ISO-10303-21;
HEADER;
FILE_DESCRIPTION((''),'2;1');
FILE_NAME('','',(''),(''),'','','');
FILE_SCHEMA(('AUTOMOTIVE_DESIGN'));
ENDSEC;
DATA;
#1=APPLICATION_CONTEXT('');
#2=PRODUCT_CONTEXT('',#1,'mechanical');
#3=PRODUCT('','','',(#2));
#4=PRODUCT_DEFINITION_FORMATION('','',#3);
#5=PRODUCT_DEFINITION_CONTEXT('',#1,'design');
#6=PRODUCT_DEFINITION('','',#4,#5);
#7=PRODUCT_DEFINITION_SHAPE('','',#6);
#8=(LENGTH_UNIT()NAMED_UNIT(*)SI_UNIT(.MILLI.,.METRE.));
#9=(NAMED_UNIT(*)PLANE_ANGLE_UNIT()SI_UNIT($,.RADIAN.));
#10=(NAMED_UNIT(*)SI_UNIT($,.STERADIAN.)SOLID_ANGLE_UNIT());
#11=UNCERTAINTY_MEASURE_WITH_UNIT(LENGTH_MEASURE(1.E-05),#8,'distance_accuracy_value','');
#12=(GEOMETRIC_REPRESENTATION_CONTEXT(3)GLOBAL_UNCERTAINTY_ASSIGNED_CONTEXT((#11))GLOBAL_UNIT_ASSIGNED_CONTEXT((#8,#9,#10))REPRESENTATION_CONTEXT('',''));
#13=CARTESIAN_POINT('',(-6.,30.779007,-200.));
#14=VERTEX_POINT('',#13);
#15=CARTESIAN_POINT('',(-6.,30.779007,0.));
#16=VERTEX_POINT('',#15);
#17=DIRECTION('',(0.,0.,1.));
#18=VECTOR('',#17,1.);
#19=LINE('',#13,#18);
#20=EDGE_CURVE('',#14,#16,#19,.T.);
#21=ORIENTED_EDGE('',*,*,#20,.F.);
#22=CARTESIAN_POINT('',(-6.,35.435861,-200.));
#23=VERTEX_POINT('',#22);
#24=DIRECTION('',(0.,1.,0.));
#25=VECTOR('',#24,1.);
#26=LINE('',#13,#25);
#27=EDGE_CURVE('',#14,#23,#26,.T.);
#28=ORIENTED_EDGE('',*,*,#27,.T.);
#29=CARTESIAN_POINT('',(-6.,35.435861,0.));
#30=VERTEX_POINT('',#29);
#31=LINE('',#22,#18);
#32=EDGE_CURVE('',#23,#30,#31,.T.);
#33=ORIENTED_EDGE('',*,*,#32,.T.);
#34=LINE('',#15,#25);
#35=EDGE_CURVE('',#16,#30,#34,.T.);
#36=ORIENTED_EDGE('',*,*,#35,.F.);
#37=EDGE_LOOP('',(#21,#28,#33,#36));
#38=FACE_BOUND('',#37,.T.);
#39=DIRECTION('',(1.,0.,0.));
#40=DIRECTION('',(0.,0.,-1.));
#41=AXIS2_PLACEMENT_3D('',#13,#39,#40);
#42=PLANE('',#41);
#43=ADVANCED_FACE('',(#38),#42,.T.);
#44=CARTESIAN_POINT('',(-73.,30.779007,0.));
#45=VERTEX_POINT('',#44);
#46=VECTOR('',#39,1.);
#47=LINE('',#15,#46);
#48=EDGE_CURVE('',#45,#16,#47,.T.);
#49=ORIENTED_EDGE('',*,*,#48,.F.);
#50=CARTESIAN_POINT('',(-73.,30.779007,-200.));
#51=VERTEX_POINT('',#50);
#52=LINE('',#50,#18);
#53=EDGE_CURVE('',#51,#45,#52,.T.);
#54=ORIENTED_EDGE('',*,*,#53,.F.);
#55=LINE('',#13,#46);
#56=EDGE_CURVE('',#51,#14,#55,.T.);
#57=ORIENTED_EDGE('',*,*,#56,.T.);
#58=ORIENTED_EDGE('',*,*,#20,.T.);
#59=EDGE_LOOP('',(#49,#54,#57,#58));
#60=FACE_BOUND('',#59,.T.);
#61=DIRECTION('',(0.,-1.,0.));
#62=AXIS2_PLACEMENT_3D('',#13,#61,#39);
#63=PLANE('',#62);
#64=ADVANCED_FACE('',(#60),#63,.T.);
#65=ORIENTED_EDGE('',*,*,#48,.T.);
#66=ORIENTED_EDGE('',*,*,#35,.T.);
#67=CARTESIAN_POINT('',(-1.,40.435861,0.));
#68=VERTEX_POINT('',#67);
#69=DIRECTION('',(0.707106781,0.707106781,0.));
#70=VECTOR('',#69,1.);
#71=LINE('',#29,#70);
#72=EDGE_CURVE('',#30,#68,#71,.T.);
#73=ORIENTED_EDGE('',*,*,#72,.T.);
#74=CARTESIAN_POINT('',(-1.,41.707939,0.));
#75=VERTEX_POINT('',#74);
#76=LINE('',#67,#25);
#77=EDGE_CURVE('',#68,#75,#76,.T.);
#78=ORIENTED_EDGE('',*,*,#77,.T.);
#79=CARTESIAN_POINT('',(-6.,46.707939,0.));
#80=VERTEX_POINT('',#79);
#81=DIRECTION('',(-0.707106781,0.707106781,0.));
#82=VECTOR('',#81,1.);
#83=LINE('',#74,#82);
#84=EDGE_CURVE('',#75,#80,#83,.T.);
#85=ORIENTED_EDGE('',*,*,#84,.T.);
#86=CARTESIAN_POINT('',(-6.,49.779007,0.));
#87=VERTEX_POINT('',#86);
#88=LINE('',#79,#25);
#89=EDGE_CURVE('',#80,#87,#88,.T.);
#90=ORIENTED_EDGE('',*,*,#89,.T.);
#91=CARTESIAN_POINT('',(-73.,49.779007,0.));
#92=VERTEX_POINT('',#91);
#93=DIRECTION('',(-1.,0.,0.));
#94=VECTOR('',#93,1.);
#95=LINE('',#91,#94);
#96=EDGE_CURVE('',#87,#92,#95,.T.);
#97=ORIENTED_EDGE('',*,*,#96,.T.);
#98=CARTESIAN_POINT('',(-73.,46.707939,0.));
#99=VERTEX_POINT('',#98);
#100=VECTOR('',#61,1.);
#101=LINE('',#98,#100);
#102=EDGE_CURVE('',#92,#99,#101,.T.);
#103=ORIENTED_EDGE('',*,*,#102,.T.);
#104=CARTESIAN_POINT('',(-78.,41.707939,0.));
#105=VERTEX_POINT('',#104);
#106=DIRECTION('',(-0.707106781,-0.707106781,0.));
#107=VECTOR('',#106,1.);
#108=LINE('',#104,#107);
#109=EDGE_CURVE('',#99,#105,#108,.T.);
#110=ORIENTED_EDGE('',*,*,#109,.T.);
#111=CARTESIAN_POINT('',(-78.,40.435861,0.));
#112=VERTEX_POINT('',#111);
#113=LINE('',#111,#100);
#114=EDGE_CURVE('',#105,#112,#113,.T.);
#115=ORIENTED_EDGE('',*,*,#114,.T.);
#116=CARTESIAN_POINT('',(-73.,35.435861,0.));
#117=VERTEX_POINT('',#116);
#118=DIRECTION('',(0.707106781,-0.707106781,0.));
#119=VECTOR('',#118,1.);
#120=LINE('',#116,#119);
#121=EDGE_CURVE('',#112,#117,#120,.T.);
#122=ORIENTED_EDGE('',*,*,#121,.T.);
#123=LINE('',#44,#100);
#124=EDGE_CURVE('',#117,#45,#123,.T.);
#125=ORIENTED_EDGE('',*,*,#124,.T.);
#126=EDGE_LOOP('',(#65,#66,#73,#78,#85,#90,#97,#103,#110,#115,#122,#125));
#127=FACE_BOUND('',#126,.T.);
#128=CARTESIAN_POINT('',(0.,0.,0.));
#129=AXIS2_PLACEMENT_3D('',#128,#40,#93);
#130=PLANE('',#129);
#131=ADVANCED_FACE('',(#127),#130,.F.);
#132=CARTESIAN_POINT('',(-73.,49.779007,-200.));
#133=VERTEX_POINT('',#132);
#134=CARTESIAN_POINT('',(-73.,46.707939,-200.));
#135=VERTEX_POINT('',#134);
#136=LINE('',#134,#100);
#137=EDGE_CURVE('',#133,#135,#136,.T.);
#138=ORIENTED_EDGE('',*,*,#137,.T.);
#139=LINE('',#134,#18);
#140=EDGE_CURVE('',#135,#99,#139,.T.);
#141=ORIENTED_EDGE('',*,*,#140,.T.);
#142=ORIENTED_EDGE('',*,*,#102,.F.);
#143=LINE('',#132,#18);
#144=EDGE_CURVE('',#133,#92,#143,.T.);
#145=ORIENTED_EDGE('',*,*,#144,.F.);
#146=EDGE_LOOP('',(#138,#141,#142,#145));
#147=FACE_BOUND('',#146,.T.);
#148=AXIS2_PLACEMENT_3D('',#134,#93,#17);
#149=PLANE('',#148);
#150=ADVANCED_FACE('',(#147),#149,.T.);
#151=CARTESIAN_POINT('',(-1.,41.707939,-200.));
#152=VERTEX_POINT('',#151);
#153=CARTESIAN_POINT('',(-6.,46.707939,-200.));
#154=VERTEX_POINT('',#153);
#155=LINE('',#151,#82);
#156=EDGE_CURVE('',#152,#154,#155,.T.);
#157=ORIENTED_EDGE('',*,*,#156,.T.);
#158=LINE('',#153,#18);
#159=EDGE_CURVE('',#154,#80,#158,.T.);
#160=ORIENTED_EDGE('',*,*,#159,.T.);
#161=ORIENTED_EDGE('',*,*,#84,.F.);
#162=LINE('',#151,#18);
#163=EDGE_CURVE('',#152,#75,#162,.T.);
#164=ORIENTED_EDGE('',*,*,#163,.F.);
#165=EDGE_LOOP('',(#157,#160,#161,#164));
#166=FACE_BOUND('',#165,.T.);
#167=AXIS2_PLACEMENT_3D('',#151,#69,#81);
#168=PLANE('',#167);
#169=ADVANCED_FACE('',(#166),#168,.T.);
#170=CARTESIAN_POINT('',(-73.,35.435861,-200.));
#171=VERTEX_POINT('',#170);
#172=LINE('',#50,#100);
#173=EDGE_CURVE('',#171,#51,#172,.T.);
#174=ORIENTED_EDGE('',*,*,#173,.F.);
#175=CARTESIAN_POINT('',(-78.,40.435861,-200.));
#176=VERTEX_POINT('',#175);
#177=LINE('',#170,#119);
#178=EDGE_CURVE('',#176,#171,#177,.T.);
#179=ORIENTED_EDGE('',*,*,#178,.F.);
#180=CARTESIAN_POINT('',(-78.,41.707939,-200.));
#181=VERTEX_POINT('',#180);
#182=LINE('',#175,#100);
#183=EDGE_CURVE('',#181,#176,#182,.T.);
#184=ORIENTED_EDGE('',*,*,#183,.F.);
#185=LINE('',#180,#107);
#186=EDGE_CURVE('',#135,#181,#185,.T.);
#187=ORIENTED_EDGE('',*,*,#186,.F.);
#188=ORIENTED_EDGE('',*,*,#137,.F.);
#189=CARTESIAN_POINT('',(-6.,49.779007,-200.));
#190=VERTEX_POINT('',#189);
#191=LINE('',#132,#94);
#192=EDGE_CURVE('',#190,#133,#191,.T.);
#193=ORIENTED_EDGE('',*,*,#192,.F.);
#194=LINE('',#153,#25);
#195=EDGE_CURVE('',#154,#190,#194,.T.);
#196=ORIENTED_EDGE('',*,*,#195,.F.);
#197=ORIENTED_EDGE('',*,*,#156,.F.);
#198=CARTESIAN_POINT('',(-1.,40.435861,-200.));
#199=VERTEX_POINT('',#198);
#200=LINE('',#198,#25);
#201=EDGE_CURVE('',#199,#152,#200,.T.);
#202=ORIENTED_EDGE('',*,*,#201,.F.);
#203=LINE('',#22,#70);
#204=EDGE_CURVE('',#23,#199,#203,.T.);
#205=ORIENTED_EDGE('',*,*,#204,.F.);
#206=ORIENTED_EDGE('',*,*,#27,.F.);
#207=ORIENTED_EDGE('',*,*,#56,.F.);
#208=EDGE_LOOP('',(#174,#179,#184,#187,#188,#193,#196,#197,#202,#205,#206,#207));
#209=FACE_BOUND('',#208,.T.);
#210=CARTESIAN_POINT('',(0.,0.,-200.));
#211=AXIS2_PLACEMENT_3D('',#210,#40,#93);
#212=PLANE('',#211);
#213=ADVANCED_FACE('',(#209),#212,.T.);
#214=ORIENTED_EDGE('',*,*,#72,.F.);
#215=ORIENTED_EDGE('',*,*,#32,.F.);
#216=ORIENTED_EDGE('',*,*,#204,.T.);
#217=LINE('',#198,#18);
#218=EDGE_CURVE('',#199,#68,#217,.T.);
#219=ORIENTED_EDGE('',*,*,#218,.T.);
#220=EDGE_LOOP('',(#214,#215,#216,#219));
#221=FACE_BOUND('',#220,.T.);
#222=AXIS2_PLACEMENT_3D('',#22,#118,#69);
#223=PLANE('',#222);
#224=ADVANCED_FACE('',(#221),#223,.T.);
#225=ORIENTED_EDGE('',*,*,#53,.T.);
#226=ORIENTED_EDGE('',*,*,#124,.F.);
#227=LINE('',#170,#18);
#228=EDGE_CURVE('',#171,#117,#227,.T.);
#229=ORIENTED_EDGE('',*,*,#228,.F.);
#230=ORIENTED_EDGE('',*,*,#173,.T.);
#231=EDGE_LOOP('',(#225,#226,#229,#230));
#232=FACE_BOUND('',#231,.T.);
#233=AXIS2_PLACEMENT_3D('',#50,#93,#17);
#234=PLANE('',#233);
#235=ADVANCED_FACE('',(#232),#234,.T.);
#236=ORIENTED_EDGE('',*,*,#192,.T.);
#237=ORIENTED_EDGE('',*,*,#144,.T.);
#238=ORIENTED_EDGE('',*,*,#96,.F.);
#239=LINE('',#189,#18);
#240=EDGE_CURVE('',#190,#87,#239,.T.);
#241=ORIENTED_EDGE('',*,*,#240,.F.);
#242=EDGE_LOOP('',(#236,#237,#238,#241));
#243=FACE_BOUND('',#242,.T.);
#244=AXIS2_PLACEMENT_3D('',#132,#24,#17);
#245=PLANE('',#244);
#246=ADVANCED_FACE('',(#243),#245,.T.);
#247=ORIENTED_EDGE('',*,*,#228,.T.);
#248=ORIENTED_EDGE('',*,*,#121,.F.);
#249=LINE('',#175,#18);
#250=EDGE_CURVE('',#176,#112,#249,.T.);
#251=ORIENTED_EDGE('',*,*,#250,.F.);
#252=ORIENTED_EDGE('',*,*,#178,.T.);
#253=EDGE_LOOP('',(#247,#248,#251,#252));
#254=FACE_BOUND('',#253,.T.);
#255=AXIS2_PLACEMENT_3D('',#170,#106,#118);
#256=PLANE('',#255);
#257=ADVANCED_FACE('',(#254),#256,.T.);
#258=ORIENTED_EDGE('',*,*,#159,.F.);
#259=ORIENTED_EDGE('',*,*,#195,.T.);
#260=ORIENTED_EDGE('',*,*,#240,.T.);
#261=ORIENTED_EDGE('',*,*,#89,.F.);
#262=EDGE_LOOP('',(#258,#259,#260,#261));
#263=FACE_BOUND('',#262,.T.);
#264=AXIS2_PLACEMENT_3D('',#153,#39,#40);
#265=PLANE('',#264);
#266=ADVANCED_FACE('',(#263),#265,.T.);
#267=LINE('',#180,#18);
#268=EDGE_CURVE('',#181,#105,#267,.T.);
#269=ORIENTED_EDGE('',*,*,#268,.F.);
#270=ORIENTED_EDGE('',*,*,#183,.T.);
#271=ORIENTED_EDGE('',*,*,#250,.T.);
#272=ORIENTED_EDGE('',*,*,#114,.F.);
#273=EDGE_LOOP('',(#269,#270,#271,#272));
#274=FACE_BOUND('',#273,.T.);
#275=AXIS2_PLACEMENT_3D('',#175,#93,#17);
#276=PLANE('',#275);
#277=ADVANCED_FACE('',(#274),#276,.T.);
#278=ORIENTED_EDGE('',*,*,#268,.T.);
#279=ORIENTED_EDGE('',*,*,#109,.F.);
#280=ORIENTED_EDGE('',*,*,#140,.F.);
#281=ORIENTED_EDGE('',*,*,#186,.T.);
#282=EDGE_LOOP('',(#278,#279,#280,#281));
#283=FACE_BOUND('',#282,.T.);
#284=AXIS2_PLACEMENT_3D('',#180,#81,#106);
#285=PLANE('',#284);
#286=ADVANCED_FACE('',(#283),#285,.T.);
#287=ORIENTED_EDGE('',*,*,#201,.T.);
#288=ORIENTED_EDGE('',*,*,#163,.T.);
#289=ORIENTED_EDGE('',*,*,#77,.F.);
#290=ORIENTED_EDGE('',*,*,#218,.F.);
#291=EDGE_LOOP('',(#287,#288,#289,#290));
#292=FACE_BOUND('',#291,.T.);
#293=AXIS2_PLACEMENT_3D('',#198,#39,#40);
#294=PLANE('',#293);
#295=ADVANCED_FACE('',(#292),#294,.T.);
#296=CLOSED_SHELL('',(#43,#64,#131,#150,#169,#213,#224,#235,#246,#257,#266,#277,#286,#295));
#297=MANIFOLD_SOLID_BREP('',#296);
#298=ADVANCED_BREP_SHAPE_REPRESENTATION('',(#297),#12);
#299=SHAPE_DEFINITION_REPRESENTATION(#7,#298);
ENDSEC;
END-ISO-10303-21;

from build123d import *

# Parameters (mm, degrees)
EXTRUDE_1_DEPTH = 200


with BuildPart() as part:
    # 草图1 → 凸台-拉伸1 (new body)
    with BuildSketch(Plane.XY):
        Polygon((-6, 30.779006664), (-73, 30.779006664), (-73, 35.435860913), (-78, 40.435860913), (-78, 41.707938852), (-73, 46.707938852), (-73, 49.779006664), (-6, 49.779006664), (-6, 46.707938852), (-1, 41.707938852), (-1, 40.435860913), (-6, 35.435860913), align=None)
    extrude(amount=-EXTRUDE_1_DEPTH)


solid = part.part
